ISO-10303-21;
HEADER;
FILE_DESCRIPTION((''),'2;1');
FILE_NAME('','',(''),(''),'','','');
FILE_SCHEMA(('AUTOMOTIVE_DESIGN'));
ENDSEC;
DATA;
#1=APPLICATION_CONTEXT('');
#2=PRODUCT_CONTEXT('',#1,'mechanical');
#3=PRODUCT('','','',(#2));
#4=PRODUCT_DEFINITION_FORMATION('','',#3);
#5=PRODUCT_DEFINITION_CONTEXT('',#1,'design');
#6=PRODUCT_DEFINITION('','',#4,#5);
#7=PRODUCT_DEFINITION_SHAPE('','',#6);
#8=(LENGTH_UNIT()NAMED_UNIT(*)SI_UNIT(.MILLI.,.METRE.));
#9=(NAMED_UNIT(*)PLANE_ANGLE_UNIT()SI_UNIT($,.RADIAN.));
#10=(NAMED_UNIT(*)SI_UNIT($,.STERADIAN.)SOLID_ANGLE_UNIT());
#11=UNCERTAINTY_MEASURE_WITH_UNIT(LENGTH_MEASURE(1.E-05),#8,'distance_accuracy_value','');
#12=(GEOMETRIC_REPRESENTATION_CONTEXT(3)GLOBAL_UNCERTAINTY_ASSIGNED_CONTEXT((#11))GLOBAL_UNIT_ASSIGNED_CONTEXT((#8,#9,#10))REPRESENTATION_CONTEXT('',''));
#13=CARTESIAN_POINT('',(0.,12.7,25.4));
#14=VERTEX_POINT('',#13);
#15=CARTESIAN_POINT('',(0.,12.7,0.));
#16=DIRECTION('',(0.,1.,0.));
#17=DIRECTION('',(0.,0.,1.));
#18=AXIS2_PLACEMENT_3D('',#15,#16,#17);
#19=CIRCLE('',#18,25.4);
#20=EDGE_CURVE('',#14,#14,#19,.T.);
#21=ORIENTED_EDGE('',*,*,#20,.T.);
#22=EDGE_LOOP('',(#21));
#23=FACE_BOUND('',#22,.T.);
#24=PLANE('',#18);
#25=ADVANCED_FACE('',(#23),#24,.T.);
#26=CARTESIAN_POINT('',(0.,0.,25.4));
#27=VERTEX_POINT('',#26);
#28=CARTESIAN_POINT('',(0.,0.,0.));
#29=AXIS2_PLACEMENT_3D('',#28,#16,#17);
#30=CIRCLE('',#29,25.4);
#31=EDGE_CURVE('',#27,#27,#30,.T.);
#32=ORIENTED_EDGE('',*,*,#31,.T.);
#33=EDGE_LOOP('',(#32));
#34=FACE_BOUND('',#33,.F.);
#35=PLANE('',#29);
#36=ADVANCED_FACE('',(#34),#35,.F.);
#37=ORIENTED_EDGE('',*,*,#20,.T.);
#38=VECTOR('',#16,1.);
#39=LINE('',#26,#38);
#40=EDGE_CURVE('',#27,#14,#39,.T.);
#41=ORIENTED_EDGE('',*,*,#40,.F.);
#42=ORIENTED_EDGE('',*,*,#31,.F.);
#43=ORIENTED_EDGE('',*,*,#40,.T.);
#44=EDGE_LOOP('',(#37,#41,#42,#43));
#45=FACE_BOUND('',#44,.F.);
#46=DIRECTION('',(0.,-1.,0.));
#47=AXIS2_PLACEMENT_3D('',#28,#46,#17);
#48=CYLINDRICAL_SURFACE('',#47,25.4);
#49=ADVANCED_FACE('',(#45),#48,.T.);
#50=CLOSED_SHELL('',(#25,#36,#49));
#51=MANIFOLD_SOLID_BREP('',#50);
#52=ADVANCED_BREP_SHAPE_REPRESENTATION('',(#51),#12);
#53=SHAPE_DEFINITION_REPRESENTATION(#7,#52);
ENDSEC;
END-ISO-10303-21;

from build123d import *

# Parameters (mm, degrees)
SKETCH_1_R      = 25.4
EXTRUDE_1_DEPTH = 12.7


with BuildPart() as part:
    # 草图1 → 凸台-拉伸1 (new body)
    with BuildSketch(Plane(origin=(0, 0, 0), x_dir=(1, 0, 0), z_dir=(0, 1, 0))):
        with Locations(Location((0, 0, 0), (0, 0, 270))):  # turned: the seam where the file's is
            Circle(SKETCH_1_R)
    extrude(amount=EXTRUDE_1_DEPTH)


solid = part.part
